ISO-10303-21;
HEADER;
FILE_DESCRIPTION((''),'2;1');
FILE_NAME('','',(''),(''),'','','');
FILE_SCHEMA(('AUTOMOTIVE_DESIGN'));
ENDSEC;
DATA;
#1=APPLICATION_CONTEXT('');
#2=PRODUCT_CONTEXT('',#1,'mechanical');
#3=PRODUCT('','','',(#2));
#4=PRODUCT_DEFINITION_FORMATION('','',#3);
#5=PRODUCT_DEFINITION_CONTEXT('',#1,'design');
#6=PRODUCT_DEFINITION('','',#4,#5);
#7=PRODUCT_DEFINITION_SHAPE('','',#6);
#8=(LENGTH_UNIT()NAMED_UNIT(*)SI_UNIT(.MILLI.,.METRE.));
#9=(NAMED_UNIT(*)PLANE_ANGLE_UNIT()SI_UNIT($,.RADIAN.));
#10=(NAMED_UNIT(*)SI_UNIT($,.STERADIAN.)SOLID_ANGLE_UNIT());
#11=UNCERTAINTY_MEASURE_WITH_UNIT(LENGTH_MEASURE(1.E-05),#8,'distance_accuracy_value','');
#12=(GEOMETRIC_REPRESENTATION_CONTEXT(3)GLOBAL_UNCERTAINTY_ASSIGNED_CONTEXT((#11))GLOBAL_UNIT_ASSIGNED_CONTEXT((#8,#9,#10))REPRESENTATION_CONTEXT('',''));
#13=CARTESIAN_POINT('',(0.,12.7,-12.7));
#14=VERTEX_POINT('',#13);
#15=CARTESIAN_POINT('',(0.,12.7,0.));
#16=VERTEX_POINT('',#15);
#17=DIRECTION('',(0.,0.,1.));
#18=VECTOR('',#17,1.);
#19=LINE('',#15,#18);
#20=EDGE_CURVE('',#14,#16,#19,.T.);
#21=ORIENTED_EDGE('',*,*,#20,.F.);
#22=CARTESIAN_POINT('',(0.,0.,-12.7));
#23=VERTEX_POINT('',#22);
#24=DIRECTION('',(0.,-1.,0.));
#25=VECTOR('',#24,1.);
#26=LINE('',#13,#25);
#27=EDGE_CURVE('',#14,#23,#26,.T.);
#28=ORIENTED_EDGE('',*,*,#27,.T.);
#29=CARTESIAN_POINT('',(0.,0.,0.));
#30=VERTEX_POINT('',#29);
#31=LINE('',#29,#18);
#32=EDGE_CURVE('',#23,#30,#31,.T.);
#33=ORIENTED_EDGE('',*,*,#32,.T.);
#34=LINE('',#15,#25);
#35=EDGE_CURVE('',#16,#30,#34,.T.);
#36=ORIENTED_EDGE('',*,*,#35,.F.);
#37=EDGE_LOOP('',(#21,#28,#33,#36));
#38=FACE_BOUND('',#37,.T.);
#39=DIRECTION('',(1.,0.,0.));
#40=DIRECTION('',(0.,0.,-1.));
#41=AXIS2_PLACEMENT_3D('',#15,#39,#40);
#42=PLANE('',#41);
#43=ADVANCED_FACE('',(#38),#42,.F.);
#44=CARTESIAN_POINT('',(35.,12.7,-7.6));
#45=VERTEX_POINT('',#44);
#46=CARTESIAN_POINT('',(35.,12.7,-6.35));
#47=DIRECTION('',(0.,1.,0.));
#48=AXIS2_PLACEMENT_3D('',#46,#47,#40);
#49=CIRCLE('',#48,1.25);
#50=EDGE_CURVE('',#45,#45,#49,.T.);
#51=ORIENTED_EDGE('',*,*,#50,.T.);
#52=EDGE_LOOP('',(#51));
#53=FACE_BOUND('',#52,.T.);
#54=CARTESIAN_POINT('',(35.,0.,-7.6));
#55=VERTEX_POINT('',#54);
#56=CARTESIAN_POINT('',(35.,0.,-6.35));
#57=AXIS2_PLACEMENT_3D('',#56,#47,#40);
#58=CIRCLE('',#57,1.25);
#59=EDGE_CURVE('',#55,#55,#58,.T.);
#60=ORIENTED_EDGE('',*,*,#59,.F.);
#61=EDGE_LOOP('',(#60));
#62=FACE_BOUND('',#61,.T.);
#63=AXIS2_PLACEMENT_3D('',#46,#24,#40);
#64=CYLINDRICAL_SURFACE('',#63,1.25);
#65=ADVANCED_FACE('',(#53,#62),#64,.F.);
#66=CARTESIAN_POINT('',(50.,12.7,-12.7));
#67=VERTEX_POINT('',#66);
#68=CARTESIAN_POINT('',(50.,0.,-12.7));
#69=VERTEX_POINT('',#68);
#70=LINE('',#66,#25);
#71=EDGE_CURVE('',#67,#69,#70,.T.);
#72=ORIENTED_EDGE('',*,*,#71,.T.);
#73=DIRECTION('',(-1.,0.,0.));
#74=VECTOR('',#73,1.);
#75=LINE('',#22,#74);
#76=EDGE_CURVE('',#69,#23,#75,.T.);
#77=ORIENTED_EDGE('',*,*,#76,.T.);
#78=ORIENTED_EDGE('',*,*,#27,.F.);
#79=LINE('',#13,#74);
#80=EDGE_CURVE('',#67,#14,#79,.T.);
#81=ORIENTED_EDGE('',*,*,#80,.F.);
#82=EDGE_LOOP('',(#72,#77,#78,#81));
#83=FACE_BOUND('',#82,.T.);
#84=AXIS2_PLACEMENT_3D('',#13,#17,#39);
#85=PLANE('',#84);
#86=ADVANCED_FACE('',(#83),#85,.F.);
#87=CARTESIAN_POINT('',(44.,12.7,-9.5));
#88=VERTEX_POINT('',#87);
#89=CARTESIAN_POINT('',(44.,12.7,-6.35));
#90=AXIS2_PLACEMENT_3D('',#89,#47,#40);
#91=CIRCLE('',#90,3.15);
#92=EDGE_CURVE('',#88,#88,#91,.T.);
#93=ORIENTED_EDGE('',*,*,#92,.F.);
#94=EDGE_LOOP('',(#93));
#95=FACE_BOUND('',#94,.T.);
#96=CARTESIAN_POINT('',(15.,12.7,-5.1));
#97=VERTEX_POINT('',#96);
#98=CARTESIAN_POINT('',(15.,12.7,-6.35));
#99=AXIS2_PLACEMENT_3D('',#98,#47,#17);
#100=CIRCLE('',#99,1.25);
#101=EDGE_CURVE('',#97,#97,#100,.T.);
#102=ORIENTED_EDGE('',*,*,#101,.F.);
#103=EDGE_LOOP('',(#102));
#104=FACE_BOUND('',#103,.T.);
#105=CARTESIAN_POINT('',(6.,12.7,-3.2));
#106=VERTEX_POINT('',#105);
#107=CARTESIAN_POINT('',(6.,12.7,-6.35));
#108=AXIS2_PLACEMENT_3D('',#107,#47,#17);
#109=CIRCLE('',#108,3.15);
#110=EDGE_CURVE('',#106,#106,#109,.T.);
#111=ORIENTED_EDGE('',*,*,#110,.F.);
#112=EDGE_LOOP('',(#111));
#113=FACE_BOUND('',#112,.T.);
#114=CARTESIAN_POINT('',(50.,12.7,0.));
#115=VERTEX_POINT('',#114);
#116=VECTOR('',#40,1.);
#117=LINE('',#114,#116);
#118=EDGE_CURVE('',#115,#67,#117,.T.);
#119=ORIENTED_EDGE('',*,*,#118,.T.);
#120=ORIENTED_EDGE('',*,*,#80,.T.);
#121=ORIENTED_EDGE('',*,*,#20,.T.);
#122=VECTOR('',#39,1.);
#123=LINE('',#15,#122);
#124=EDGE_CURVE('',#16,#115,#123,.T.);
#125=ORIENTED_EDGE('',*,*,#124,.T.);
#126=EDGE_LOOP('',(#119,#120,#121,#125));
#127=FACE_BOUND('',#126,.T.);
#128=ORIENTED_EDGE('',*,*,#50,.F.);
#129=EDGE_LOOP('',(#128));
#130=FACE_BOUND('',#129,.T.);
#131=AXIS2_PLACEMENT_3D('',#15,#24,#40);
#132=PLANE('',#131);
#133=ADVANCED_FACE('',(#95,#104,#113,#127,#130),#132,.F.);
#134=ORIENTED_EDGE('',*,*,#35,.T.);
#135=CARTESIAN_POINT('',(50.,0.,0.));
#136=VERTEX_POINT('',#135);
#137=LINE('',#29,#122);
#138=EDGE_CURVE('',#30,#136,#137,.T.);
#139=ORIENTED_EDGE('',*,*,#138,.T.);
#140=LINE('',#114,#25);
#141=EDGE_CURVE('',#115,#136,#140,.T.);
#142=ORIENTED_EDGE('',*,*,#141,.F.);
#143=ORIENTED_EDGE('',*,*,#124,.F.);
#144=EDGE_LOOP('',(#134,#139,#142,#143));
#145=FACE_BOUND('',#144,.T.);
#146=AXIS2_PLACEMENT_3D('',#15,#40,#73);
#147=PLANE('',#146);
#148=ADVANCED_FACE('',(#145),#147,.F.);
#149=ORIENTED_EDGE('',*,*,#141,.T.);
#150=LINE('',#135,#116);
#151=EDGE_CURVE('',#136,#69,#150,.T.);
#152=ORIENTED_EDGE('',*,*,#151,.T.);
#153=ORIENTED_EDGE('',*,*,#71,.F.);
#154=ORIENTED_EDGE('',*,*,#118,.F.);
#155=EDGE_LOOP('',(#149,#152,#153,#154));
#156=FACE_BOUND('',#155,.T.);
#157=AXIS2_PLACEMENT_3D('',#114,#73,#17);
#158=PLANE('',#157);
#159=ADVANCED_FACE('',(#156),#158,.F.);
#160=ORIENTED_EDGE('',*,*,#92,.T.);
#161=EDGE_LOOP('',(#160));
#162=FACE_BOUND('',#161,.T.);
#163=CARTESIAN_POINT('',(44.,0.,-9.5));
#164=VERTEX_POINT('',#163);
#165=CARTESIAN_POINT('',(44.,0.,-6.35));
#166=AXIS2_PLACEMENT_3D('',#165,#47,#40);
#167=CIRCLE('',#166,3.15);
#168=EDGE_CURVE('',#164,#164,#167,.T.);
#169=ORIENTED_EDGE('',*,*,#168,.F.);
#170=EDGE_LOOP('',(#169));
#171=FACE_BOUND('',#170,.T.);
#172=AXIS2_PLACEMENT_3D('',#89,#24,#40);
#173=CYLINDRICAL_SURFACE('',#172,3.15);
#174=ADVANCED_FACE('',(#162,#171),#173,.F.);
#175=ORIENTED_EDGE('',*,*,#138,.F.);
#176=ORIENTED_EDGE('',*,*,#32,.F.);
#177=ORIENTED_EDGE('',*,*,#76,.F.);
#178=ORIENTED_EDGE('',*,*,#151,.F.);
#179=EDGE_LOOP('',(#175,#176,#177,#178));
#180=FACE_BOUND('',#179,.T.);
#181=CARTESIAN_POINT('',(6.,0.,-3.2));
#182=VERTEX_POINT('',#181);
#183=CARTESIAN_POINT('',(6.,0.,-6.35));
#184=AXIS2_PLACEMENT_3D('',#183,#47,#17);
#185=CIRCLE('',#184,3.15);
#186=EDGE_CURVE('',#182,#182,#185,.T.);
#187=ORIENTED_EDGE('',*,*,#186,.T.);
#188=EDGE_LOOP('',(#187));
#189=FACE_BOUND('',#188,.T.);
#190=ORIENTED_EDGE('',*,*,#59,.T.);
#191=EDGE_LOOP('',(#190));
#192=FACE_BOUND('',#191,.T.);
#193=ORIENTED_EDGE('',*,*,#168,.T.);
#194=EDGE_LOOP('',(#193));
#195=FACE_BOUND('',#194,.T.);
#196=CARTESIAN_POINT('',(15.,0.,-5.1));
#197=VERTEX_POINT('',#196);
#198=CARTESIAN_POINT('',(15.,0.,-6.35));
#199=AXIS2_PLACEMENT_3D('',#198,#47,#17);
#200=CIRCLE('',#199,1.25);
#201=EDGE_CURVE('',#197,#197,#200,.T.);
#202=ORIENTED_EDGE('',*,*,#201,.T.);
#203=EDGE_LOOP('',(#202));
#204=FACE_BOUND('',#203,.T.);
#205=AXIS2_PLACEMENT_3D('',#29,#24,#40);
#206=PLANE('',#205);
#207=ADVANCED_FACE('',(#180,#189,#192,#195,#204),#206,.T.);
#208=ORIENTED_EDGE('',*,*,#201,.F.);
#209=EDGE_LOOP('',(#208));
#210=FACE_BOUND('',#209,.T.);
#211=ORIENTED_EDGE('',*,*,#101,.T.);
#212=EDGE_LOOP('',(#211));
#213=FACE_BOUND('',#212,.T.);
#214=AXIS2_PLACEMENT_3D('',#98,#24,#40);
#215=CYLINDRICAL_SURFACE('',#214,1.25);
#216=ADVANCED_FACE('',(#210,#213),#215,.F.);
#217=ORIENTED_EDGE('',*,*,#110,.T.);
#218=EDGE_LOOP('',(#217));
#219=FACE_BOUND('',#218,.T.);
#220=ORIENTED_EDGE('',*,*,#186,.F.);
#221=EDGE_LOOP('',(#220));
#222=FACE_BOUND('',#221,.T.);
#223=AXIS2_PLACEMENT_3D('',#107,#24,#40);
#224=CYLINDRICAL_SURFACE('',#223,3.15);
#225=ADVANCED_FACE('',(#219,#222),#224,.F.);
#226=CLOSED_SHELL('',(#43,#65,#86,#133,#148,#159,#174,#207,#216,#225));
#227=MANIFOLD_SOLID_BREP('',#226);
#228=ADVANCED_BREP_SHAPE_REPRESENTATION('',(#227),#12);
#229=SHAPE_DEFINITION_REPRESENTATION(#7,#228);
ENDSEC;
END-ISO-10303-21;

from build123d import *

# Parameters (mm, degrees)
SKETCH2_W           = 50
SKETCH2_H           = 12.7
SKETCH2_R           = 3.15
SKETCH2_R_2         = 1.25
BOSS_EXTRUDE1_DEPTH = 12.7


with BuildPart() as part:
    # Sketch2 → Boss-Extrude1 (new body)
    with BuildSketch(Plane(origin=(0, 0, 0), x_dir=(1, 0, 0), z_dir=(0, 1, 0))):
        with Locations((25, 6.35)):
            Rectangle(SKETCH2_W, SKETCH2_H)
        with Locations(Location((6, 6.35, 0), (0, 0, 270))):
            Circle(SKETCH2_R, mode=Mode.SUBTRACT)
        with Locations(Location((15, 6.35, 0), (0, 0, 270))):
            Circle(SKETCH2_R_2, mode=Mode.SUBTRACT)
        with Locations(Location((35, 6.35, 0), (0, 0, 90))):
            Circle(SKETCH2_R_2, mode=Mode.SUBTRACT)
        with Locations(Location((44, 6.35, 0), (0, 0, 90))):
            Circle(SKETCH2_R, mode=Mode.SUBTRACT)
    extrude(amount=BOSS_EXTRUDE1_DEPTH)


solid = part.part
